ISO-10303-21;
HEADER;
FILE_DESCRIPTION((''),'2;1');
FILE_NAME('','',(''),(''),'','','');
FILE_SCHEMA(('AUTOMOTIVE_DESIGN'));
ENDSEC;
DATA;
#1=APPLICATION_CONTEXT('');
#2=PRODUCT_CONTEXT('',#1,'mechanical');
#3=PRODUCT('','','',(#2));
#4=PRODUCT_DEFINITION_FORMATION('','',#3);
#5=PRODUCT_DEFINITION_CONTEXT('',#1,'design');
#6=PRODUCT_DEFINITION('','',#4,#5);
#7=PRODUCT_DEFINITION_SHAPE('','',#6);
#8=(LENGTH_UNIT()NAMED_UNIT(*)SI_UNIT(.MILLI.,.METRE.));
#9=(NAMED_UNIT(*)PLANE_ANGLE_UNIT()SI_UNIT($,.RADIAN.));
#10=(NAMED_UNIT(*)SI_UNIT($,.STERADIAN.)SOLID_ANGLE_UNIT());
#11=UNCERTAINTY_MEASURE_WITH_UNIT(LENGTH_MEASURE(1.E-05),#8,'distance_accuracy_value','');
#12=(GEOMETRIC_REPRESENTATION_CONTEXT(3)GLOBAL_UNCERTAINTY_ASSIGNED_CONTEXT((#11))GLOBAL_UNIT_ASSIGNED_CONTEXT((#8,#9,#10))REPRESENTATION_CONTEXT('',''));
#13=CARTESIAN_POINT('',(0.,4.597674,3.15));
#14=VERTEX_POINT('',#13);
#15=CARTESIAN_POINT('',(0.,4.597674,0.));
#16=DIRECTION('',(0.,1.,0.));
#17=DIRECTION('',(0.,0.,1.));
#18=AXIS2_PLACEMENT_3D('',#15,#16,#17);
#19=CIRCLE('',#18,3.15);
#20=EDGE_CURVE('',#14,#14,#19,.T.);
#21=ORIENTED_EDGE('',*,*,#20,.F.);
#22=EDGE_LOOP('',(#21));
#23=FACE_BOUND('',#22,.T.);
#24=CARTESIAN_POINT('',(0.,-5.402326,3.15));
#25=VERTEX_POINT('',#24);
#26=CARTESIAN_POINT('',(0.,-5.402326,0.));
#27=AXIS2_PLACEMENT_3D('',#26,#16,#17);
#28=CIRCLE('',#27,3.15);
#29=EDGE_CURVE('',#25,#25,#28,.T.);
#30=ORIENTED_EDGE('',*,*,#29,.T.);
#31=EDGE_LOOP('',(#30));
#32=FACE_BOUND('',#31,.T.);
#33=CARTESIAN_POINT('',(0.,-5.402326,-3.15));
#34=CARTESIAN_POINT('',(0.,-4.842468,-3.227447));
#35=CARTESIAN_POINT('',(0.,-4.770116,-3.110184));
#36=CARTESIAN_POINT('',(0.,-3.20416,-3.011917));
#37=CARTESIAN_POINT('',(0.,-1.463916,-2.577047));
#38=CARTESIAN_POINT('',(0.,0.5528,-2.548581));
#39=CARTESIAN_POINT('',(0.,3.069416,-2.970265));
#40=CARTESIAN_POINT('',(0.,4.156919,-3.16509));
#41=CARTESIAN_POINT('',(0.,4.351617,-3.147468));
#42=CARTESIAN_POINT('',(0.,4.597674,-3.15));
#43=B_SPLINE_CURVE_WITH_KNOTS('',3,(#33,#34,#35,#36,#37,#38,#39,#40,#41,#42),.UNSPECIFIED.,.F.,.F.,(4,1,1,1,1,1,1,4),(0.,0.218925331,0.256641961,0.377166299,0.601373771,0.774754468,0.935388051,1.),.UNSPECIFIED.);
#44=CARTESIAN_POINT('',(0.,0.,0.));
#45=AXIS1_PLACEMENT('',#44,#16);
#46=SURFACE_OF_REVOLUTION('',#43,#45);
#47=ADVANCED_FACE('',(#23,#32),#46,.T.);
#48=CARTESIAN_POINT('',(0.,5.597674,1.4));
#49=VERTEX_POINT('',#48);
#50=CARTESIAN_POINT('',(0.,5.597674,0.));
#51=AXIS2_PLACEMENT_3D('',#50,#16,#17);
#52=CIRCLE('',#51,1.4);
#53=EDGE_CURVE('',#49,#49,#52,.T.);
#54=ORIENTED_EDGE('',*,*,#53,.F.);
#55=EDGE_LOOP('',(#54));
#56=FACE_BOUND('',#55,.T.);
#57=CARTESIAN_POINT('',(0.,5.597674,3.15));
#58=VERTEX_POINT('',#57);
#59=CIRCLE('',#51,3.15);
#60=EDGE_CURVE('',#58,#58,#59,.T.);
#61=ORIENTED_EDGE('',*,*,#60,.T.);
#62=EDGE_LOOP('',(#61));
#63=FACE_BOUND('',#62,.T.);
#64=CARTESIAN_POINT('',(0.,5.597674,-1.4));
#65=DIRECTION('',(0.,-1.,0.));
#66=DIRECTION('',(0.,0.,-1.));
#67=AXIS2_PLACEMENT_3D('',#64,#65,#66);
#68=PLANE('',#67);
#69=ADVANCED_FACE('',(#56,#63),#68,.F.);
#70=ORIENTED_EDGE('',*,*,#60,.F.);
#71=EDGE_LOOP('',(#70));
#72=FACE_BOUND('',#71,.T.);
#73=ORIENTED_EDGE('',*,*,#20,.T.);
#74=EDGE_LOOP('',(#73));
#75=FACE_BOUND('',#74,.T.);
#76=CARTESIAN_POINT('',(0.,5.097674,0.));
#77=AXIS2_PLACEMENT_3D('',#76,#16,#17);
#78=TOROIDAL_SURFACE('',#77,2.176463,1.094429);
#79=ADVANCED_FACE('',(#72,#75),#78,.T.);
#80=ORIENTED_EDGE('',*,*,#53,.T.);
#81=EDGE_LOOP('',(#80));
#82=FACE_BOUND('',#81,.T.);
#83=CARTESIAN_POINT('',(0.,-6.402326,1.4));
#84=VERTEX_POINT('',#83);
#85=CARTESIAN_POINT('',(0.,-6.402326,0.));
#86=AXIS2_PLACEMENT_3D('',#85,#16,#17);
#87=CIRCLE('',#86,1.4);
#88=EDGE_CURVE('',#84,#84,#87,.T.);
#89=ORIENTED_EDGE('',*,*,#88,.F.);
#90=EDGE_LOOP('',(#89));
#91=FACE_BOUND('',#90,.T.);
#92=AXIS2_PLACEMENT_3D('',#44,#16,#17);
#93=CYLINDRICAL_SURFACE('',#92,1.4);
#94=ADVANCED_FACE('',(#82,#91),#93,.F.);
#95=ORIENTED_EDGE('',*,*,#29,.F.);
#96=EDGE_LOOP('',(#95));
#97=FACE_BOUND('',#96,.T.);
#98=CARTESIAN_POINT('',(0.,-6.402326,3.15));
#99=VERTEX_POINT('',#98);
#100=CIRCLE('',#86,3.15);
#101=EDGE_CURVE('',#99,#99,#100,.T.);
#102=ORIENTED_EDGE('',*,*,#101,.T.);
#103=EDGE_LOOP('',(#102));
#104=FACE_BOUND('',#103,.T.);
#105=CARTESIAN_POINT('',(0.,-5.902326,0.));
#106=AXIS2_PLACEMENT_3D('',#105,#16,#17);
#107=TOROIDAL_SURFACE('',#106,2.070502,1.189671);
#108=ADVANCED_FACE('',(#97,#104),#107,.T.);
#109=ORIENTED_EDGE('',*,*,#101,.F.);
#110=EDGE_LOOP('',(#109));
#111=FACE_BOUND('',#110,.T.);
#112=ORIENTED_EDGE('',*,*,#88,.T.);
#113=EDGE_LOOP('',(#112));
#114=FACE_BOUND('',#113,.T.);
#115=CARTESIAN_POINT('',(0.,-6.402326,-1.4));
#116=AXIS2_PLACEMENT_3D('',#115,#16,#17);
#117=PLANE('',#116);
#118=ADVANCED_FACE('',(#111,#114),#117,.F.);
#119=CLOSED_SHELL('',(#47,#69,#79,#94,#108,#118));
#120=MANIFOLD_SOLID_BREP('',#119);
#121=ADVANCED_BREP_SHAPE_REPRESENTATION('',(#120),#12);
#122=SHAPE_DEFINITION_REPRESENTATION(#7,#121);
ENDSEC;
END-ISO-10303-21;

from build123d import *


with BuildPart() as part:
    # 草图1 → 旋转1 (revolve)
    with BuildSketch(Plane(origin=(0, 0, 0), x_dir=(0, 0, -1), z_dir=(1, 0, 0))):
        with BuildLine():
            Line((1.4, 4.597673683), (1.4, -5.402326317))
            Line((1.4, -5.402326317), (1.4, -6.402326317))
            Line((1.4, -6.402326317), (3.15, -6.402326317))
            ThreePointArc((3.15, -6.402326317), (3.260172476, -5.902326317), (3.15, -5.402326317))
            add(Edge.make_bspline(
                [(3.15, 4.597673683), (3.147467961, 4.351617186), (3.165090376, 4.156919407), (2.97026487, 3.069416364), (2.548580857, 0.552799712), (2.577046641, -1.463916124), (3.011916756, -3.204160398), (3.110183618, -4.770116455), (3.227447319, -4.842468449), (3.15, -5.402326317)],
                knots=[0, 0, 0, 0, 0.064611949, 0.225245532, 0.398626229, 0.622833701, 0.743358039, 0.781074669, 1, 1, 1, 1], degree=3))
            ThreePointArc((3.15, 4.597673683), (3.270891746, 5.097673683), (3.15, 5.597673683))
            Line((3.15, 5.597673683), (1.4, 5.597673683))
            Line((1.4, 5.597673683), (1.4, 4.597673683))
        make_face()
    revolve(axis=Axis((0, 0, 0), (0, -1, 0)))


solid = part.part
